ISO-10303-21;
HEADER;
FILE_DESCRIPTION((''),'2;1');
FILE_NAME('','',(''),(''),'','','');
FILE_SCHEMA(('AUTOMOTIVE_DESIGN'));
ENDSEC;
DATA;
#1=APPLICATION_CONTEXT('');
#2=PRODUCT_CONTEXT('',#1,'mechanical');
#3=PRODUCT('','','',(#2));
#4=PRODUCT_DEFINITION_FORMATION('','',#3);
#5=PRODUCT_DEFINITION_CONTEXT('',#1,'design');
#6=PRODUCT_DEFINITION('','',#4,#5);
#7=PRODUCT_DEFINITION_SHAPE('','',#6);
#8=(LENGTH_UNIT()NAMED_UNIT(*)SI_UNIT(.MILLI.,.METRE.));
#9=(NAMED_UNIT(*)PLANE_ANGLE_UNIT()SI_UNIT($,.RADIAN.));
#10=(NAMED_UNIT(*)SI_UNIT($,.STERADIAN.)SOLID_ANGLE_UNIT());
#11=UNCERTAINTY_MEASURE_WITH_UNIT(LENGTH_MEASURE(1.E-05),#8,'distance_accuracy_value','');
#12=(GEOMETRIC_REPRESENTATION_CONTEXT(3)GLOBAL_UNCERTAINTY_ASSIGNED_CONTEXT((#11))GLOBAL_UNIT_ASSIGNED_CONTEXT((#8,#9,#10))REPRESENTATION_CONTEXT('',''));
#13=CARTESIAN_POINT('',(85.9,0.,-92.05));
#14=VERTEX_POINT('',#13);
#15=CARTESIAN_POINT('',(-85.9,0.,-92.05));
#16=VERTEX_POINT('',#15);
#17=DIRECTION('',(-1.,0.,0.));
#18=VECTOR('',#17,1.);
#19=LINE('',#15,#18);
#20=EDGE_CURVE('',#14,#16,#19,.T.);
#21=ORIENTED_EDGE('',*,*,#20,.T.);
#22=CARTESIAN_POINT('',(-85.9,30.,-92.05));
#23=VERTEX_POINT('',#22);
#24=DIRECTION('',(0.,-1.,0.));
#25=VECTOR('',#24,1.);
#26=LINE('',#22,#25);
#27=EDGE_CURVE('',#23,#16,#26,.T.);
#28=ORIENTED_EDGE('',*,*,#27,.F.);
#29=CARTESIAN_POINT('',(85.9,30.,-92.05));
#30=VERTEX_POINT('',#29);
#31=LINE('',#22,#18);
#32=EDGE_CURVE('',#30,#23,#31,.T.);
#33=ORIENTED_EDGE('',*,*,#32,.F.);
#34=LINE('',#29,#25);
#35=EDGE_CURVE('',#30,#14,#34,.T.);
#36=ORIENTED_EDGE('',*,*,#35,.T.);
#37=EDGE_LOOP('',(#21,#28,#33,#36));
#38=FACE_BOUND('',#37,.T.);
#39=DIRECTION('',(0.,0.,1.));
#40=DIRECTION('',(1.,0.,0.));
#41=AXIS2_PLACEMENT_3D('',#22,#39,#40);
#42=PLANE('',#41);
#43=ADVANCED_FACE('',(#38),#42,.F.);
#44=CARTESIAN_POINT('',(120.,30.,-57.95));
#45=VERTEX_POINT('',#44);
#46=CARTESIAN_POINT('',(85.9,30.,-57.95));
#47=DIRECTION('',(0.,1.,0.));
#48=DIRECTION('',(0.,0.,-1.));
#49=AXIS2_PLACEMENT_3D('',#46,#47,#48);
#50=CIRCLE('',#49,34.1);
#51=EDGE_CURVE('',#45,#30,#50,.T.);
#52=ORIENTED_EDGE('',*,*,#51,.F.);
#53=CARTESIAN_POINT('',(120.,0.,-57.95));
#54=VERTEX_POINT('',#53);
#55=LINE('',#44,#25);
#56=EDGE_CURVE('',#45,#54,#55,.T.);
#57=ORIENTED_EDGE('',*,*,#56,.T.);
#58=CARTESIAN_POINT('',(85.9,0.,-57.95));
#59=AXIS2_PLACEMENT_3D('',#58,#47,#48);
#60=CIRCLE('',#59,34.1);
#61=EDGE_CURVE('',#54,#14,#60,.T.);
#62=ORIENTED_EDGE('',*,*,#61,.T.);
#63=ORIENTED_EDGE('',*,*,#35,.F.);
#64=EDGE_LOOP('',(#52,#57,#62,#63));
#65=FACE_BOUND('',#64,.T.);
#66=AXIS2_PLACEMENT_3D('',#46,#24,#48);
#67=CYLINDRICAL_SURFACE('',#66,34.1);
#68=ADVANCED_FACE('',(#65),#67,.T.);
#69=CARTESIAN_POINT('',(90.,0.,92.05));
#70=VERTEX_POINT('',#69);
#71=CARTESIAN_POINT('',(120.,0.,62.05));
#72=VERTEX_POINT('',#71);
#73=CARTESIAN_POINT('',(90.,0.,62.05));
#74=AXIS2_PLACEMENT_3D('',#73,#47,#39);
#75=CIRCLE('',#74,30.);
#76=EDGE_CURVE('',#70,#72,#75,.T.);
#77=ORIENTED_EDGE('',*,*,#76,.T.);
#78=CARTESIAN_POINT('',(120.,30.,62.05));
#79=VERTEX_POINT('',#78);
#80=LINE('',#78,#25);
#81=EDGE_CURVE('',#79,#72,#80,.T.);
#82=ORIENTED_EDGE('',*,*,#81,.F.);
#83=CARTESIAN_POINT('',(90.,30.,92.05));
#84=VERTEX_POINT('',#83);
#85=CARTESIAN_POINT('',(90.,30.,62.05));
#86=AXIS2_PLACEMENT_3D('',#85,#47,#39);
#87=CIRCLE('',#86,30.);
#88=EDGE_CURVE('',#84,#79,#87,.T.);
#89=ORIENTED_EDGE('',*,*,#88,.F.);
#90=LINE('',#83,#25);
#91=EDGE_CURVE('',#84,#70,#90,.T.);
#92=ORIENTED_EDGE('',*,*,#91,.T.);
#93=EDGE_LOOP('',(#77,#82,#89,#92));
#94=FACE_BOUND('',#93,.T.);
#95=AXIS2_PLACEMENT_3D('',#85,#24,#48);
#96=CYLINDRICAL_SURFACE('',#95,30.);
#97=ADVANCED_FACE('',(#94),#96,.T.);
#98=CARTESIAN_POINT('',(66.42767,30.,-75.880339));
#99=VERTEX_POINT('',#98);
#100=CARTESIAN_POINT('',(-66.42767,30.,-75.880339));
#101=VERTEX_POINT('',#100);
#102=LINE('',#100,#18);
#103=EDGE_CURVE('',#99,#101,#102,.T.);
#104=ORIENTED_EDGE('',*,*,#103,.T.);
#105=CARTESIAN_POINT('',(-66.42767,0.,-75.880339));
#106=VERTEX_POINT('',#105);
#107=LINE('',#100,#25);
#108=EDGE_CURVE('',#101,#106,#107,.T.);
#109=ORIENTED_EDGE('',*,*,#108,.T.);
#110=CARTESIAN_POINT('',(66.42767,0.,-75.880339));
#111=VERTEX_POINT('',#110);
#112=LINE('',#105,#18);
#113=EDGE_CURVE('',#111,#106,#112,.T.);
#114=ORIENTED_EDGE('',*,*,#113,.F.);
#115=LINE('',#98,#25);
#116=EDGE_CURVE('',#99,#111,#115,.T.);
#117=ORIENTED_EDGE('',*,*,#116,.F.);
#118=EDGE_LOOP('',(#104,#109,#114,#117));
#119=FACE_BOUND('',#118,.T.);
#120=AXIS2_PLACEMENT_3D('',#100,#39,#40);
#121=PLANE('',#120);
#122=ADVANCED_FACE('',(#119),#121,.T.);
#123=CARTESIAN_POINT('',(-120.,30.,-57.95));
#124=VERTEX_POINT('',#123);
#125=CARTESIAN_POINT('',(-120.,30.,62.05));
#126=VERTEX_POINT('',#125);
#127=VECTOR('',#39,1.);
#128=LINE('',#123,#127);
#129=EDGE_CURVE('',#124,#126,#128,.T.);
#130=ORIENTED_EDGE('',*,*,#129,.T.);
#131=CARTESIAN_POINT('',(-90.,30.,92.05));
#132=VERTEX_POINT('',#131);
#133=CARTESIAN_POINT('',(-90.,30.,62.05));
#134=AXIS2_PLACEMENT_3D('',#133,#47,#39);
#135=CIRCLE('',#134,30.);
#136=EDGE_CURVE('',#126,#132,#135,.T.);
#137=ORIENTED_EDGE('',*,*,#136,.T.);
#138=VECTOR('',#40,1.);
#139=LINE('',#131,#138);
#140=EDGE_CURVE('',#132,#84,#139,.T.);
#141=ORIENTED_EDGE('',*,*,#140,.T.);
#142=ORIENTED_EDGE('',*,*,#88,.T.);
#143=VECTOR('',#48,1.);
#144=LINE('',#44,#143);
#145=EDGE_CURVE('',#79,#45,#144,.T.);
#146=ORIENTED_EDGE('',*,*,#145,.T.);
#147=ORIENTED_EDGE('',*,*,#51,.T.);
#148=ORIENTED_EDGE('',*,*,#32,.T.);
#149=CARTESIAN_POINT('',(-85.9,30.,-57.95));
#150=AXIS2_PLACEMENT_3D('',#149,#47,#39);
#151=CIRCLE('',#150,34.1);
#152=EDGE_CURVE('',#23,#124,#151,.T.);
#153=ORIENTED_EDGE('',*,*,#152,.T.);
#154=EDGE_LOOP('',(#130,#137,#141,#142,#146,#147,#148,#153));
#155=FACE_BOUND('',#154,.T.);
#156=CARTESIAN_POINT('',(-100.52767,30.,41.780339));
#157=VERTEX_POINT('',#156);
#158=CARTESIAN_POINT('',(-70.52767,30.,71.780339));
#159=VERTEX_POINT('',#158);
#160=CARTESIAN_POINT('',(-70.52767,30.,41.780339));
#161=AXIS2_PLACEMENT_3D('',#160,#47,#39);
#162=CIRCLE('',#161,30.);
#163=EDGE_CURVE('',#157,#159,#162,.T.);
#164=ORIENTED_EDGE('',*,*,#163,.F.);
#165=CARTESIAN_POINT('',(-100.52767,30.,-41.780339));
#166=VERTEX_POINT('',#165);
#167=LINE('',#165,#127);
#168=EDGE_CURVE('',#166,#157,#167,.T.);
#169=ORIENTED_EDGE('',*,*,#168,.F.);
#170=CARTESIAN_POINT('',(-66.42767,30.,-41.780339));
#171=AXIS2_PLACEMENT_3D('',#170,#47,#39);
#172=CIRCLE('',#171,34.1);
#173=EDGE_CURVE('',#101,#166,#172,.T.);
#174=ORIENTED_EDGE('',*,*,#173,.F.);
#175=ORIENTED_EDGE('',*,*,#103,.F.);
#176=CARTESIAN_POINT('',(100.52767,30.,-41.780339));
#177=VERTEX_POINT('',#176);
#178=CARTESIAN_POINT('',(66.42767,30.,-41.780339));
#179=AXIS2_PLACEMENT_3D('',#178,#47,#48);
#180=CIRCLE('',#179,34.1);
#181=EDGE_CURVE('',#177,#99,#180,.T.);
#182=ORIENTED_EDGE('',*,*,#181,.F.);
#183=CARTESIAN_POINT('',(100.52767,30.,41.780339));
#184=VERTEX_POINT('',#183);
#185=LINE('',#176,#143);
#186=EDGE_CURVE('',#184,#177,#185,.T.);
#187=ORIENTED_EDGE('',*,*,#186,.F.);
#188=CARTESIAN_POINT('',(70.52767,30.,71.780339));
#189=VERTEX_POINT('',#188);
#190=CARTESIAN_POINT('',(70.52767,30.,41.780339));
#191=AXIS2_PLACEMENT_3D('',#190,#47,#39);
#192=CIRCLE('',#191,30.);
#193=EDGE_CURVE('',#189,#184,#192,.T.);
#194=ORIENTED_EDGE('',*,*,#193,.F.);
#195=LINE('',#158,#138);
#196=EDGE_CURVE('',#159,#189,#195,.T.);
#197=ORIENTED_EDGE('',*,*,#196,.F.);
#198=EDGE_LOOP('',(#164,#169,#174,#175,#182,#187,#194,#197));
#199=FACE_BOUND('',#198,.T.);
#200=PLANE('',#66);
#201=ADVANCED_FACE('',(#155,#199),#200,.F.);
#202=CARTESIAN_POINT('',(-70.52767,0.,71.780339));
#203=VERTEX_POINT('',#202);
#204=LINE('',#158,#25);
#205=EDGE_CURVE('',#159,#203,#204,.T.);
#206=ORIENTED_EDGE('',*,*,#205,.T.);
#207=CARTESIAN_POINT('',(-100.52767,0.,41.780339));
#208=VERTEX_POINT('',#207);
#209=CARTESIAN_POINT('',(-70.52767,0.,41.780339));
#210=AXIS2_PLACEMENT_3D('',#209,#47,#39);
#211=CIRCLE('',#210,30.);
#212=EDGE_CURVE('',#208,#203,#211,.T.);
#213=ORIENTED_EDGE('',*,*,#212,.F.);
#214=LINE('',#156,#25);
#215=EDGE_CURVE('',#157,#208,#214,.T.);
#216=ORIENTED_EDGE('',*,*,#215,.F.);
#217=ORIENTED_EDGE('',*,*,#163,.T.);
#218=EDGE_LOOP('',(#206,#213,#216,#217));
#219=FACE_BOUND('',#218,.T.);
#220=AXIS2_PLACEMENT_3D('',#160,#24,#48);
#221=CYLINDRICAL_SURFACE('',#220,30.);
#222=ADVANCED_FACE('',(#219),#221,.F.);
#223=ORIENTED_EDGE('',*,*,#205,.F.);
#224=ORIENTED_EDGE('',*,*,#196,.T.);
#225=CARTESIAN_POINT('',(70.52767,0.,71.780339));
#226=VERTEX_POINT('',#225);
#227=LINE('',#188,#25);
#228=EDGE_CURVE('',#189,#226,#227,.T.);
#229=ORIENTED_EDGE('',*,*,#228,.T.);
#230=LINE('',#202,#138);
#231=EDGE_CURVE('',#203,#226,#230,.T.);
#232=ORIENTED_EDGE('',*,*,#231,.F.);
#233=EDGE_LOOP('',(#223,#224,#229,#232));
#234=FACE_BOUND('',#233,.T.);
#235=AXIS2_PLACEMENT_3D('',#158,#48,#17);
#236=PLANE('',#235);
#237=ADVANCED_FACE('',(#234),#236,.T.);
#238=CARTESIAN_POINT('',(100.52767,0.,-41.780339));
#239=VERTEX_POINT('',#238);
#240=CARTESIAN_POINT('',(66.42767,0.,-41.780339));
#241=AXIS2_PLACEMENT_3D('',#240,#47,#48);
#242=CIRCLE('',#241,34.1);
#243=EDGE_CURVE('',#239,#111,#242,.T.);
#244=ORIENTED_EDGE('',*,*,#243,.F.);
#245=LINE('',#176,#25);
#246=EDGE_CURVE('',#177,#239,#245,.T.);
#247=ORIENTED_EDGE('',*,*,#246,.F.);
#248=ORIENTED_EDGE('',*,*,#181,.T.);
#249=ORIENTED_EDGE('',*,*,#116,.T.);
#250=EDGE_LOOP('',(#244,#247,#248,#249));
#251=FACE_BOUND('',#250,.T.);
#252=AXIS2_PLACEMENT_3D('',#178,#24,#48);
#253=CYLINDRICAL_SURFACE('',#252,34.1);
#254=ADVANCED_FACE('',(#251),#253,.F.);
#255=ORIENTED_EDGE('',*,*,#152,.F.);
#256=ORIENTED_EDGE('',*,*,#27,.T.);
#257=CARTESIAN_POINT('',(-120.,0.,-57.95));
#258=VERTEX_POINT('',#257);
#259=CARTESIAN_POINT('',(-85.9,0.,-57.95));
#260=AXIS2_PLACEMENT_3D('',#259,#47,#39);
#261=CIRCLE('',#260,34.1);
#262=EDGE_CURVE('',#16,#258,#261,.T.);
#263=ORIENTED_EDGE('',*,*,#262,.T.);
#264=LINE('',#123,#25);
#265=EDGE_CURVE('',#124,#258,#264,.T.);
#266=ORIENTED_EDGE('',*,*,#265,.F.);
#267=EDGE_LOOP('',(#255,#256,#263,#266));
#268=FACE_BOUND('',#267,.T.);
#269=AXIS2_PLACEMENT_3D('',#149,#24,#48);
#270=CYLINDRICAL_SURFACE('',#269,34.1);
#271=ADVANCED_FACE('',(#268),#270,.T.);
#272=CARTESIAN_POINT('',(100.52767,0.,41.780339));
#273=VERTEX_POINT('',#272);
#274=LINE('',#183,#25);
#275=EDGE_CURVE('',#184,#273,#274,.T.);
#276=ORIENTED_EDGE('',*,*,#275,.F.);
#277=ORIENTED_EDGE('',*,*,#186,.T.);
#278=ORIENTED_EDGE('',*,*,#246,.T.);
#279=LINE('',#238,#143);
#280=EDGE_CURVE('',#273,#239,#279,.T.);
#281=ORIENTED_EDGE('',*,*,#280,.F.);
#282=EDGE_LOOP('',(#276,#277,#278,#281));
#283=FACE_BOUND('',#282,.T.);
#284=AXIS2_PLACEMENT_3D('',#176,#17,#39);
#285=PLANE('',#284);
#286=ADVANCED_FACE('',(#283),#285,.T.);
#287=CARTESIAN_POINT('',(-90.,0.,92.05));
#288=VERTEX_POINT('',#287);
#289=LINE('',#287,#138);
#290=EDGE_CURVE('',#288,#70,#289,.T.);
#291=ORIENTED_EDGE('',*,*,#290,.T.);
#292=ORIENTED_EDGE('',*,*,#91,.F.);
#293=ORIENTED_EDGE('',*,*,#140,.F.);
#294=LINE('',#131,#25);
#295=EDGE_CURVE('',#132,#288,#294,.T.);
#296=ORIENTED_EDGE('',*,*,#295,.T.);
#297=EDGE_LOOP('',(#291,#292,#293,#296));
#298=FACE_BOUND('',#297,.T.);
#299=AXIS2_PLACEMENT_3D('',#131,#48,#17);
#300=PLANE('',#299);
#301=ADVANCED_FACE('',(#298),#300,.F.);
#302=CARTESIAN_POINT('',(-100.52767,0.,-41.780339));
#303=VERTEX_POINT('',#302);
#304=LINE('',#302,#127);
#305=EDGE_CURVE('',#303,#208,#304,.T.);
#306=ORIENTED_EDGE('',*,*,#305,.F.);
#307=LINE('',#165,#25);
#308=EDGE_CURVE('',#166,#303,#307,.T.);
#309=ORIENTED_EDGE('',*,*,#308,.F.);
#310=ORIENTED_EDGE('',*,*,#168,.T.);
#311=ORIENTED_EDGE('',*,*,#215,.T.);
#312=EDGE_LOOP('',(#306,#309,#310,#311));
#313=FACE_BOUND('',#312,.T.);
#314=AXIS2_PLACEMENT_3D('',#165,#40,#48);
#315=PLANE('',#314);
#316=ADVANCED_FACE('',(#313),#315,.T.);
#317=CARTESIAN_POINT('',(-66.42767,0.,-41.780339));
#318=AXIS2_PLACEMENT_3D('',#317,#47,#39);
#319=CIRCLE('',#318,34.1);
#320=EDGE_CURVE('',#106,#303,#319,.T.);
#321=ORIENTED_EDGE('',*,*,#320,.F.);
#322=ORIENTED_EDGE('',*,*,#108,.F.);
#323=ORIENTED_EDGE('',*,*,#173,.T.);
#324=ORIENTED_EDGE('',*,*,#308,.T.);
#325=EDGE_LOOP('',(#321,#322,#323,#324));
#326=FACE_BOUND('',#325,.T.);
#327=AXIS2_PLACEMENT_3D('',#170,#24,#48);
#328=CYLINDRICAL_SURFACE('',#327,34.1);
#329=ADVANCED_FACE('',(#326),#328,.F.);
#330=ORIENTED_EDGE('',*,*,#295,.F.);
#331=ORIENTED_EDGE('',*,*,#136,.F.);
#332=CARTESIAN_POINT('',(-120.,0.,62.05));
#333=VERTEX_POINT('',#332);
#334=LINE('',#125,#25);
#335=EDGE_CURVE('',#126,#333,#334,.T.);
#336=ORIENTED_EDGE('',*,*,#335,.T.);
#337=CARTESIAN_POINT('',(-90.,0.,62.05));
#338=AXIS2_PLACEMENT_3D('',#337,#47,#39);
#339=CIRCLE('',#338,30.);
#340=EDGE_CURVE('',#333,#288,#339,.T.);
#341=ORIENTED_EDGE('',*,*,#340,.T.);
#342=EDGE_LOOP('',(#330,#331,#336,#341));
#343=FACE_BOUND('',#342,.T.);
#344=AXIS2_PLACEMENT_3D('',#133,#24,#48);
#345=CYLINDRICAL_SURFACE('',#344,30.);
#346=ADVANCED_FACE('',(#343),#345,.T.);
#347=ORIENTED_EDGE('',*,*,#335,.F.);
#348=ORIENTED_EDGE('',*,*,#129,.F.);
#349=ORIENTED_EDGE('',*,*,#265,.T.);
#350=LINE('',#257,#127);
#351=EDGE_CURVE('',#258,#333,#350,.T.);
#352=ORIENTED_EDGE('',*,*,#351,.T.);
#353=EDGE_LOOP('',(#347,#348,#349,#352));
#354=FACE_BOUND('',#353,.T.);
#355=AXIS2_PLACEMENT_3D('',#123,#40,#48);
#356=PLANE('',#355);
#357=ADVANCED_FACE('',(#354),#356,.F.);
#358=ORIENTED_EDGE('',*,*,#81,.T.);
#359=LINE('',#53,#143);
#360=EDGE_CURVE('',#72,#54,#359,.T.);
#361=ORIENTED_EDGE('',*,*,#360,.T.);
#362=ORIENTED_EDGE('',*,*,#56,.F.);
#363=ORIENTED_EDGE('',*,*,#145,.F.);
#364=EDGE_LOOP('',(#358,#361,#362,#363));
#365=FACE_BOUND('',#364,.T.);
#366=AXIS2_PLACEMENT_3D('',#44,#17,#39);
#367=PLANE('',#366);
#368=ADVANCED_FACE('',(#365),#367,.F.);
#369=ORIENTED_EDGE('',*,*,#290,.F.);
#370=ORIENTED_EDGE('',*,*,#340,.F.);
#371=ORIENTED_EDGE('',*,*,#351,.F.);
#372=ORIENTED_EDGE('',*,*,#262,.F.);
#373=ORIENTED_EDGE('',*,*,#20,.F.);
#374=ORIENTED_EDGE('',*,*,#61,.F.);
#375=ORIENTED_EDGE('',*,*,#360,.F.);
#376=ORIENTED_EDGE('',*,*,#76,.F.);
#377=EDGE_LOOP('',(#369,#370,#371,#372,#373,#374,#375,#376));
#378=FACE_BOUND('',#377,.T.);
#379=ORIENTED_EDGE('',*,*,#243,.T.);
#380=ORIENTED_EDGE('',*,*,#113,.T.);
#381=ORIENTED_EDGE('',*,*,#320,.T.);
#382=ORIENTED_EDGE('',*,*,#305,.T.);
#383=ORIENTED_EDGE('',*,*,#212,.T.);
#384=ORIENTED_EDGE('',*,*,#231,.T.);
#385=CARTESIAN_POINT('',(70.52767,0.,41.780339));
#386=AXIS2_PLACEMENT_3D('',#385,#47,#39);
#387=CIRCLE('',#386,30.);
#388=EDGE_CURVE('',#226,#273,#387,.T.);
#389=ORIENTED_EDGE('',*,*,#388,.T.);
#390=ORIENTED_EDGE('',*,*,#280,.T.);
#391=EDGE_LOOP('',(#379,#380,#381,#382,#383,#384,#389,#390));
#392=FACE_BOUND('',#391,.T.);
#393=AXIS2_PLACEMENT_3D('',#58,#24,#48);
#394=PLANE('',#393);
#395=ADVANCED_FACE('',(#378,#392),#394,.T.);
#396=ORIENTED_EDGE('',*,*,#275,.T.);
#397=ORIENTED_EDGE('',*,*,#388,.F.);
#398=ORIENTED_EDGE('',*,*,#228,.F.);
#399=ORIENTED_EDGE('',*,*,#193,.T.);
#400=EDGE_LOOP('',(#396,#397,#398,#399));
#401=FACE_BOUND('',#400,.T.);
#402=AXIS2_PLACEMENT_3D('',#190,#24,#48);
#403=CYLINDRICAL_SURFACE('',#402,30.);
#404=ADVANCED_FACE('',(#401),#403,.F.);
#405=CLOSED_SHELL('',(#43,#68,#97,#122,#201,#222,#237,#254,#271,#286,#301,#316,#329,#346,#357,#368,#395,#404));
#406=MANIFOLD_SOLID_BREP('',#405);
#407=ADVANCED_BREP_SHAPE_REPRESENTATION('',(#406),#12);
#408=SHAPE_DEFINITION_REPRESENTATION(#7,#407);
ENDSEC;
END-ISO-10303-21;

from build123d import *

# Parameters (mm, degrees)
BOSS_EXTRUDE2_DEPTH = 30


with BuildPart() as part:
    # Sketch1 → Boss-Extrude2 (new body)
    with BuildSketch(Plane(origin=(0, 0, 0), x_dir=(1, 0, 0), z_dir=(0, 1, 0))):
        with BuildLine():
            Line((-85.9, 92.05), (85.9, 92.05))
            ThreePointArc((85.9, 92.05), (110.012341238, 82.062341238), (120, 57.95))
            Line((120, 57.95), (120, -62.05))
            ThreePointArc((120, -62.05), (111.213203436, -83.263203436), (90, -92.05))
            Line((90, -92.05), (-90, -92.05))
            ThreePointArc((-90, -92.05), (-111.213203436, -83.263203436), (-120, -62.05))
            Line((-120, -62.05), (-120, 57.95))
            ThreePointArc((-120, 57.95), (-110.012341238, 82.062341238), (-85.9, 92.05))
        make_face()
        with BuildLine():
            Line((-66.42766953, 75.880339059), (66.42766953, 75.880339059))
            ThreePointArc((66.42766953, 75.880339059), (90.540010768, 65.892680298), (100.52766953, 41.780339059))
            Line((100.52766953, 41.780339059), (100.52766953, -41.780339059))
            ThreePointArc((100.52766953, -41.780339059), (91.740872965, -62.993542495), (70.52766953, -71.780339059))
            Line((70.52766953, -71.780339059), (-70.52766953, -71.780339059))
            ThreePointArc((-70.52766953, -71.780339059), (-91.740872965, -62.993542495), (-100.52766953, -41.780339059))
            Line((-100.52766953, -41.780339059), (-100.52766953, 41.780339059))
            ThreePointArc((-100.52766953, 41.780339059), (-90.540010768, 65.892680298), (-66.42766953, 75.880339059))
        make_face(mode=Mode.SUBTRACT)
    extrude(amount=BOSS_EXTRUDE2_DEPTH)


solid = part.part
